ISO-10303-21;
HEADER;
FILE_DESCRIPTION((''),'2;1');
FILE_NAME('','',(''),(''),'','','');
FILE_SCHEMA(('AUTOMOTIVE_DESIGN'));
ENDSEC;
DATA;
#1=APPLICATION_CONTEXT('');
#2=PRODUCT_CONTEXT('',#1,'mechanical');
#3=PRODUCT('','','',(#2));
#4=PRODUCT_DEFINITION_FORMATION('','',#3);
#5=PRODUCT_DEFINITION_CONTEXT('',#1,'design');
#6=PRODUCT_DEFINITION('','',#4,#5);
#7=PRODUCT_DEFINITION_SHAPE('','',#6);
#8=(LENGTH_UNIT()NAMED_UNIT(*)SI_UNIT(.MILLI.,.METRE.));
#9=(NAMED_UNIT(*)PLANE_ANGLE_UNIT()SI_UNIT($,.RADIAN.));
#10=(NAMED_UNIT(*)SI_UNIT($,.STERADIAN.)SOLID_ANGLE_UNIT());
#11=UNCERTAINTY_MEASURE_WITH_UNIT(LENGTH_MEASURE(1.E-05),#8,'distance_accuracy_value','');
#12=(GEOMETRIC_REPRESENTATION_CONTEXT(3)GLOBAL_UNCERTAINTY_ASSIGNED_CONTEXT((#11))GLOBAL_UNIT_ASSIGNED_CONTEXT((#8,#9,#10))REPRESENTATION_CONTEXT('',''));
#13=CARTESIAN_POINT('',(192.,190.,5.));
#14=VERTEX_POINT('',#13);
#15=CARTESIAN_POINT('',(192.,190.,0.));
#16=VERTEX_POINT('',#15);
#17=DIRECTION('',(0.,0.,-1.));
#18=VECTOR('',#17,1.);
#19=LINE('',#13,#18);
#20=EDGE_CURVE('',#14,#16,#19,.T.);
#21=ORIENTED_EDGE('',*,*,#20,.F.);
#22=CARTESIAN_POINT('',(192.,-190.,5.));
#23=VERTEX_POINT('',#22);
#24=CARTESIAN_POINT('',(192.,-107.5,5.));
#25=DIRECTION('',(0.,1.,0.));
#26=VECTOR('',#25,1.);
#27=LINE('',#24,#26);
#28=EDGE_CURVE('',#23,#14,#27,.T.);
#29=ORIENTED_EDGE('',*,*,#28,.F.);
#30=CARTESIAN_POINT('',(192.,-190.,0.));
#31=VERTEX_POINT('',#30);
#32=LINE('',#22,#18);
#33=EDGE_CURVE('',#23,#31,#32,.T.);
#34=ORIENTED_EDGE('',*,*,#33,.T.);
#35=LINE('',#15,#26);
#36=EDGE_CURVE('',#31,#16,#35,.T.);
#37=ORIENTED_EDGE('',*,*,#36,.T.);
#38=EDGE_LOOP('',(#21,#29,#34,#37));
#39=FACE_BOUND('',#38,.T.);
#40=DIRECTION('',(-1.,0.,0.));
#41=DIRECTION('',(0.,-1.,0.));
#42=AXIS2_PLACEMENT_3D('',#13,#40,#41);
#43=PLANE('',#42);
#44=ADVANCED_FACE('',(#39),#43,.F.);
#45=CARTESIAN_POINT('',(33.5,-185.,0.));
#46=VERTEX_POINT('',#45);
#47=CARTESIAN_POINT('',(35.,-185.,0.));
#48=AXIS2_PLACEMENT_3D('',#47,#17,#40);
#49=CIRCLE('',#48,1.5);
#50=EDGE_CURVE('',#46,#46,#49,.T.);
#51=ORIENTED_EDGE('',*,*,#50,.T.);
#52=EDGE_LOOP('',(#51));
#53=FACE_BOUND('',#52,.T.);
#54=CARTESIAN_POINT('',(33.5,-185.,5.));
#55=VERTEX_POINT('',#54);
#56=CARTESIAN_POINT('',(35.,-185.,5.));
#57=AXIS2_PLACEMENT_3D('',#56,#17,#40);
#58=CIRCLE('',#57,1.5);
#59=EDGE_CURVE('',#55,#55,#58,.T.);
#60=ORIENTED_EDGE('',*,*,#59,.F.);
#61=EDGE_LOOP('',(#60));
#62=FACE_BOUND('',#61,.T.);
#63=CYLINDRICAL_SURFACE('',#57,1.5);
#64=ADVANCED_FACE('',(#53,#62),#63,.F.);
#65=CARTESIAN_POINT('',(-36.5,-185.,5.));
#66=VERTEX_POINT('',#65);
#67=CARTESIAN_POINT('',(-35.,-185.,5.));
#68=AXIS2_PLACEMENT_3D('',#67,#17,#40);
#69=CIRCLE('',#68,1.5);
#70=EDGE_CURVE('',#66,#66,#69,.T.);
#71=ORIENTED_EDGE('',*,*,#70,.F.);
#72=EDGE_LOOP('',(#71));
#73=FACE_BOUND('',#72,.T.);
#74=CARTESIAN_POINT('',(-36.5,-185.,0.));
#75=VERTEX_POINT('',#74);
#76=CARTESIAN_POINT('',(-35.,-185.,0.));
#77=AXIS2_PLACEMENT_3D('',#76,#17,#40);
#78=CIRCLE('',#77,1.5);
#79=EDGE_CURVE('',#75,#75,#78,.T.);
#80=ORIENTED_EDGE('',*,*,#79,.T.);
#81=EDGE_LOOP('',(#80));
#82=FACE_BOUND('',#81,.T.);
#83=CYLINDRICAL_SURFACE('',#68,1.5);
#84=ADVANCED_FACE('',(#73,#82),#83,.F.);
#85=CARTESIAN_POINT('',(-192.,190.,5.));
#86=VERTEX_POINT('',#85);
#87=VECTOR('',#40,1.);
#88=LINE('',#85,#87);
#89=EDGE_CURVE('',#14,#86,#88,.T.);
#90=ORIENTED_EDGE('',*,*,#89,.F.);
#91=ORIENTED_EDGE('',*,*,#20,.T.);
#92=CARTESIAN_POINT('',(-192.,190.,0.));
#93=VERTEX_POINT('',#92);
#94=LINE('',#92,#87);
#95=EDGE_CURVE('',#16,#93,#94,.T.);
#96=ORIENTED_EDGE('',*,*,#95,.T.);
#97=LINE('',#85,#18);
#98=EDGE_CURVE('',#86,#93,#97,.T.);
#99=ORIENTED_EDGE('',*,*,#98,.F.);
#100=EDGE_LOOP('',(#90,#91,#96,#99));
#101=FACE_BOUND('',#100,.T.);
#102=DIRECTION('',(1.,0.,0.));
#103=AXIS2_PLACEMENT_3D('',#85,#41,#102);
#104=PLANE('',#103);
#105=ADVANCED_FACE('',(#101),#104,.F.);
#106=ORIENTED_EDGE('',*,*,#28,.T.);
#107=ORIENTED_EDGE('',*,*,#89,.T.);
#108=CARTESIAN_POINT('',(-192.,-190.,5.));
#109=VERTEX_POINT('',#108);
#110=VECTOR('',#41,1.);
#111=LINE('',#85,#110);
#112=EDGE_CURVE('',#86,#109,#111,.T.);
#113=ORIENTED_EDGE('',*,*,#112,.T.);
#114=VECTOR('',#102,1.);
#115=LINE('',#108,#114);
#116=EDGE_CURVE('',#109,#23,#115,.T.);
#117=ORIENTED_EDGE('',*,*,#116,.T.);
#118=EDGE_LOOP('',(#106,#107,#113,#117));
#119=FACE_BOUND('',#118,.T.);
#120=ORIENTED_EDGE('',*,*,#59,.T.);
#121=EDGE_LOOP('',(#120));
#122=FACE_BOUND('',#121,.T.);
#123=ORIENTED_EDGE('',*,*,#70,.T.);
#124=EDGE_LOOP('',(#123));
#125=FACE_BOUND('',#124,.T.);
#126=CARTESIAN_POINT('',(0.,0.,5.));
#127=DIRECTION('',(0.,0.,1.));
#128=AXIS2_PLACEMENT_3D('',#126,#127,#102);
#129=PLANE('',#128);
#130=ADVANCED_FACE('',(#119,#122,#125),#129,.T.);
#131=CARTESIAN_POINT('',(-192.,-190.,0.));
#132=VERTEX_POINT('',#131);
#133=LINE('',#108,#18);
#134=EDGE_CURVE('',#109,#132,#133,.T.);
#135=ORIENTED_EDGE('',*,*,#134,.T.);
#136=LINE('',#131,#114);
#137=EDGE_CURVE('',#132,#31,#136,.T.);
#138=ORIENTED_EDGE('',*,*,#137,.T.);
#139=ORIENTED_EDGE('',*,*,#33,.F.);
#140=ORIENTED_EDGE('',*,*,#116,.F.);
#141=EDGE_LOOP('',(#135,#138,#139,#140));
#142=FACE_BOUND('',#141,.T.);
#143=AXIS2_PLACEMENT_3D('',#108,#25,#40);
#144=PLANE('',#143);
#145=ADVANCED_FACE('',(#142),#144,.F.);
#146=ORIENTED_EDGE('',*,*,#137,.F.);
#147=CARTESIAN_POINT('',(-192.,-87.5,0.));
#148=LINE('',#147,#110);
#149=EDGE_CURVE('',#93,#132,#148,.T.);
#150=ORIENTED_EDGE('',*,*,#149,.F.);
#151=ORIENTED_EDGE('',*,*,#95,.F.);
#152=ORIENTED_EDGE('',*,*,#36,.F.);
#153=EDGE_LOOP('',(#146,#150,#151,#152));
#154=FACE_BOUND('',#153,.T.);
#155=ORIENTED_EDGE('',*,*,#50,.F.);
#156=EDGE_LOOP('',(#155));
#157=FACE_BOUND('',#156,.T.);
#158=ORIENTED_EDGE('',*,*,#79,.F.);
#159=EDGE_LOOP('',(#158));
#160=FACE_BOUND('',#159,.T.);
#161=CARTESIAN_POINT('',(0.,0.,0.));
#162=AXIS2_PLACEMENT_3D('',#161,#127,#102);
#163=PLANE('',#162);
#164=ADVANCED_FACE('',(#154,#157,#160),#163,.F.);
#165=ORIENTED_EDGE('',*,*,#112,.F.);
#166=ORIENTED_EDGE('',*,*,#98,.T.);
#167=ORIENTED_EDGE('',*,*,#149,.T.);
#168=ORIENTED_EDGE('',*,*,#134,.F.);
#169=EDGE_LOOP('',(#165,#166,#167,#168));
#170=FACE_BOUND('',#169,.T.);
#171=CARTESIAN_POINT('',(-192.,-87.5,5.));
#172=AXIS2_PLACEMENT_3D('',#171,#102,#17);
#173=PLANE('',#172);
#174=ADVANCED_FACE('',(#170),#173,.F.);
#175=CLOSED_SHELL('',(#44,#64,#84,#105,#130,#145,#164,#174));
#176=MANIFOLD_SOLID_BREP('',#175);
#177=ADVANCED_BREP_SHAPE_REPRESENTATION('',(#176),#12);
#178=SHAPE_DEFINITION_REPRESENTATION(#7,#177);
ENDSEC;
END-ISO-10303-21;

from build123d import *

# Parameters (mm, degrees)
BOSS_EXTRU_1_DEPTH      = 5
ESQUISSE3_R             = 1.5
ENL_V_MAT_EXTRU_2_DEPTH = 271.164764542


with BuildPart() as part:
    # Esquisse1 → Boss.-Extru.1 (new body)
    with BuildSketch(Plane.XY):
        Polygon((-192, 190), (192, 190), (192, 97.5), (192, -107.5), (192, -190), (-192, -190), (-192, -87.5), (-192, 97.5), align=None)
    extrude(amount=BOSS_EXTRU_1_DEPTH)

    # Esquisse3 → Enlèv. mat.-Extru.2 (cut, through all)
    with BuildSketch(Plane(origin=(0, 0, 0), x_dir=(-1, 0, 0), z_dir=(0, 0, -1))):
        with Locations((35, -185)):
            Circle(ESQUISSE3_R)
        with Locations((-35, -185)):
            Circle(ESQUISSE3_R)
    extrude(amount=-ENL_V_MAT_EXTRU_2_DEPTH, mode=Mode.SUBTRACT)


solid = part.part
